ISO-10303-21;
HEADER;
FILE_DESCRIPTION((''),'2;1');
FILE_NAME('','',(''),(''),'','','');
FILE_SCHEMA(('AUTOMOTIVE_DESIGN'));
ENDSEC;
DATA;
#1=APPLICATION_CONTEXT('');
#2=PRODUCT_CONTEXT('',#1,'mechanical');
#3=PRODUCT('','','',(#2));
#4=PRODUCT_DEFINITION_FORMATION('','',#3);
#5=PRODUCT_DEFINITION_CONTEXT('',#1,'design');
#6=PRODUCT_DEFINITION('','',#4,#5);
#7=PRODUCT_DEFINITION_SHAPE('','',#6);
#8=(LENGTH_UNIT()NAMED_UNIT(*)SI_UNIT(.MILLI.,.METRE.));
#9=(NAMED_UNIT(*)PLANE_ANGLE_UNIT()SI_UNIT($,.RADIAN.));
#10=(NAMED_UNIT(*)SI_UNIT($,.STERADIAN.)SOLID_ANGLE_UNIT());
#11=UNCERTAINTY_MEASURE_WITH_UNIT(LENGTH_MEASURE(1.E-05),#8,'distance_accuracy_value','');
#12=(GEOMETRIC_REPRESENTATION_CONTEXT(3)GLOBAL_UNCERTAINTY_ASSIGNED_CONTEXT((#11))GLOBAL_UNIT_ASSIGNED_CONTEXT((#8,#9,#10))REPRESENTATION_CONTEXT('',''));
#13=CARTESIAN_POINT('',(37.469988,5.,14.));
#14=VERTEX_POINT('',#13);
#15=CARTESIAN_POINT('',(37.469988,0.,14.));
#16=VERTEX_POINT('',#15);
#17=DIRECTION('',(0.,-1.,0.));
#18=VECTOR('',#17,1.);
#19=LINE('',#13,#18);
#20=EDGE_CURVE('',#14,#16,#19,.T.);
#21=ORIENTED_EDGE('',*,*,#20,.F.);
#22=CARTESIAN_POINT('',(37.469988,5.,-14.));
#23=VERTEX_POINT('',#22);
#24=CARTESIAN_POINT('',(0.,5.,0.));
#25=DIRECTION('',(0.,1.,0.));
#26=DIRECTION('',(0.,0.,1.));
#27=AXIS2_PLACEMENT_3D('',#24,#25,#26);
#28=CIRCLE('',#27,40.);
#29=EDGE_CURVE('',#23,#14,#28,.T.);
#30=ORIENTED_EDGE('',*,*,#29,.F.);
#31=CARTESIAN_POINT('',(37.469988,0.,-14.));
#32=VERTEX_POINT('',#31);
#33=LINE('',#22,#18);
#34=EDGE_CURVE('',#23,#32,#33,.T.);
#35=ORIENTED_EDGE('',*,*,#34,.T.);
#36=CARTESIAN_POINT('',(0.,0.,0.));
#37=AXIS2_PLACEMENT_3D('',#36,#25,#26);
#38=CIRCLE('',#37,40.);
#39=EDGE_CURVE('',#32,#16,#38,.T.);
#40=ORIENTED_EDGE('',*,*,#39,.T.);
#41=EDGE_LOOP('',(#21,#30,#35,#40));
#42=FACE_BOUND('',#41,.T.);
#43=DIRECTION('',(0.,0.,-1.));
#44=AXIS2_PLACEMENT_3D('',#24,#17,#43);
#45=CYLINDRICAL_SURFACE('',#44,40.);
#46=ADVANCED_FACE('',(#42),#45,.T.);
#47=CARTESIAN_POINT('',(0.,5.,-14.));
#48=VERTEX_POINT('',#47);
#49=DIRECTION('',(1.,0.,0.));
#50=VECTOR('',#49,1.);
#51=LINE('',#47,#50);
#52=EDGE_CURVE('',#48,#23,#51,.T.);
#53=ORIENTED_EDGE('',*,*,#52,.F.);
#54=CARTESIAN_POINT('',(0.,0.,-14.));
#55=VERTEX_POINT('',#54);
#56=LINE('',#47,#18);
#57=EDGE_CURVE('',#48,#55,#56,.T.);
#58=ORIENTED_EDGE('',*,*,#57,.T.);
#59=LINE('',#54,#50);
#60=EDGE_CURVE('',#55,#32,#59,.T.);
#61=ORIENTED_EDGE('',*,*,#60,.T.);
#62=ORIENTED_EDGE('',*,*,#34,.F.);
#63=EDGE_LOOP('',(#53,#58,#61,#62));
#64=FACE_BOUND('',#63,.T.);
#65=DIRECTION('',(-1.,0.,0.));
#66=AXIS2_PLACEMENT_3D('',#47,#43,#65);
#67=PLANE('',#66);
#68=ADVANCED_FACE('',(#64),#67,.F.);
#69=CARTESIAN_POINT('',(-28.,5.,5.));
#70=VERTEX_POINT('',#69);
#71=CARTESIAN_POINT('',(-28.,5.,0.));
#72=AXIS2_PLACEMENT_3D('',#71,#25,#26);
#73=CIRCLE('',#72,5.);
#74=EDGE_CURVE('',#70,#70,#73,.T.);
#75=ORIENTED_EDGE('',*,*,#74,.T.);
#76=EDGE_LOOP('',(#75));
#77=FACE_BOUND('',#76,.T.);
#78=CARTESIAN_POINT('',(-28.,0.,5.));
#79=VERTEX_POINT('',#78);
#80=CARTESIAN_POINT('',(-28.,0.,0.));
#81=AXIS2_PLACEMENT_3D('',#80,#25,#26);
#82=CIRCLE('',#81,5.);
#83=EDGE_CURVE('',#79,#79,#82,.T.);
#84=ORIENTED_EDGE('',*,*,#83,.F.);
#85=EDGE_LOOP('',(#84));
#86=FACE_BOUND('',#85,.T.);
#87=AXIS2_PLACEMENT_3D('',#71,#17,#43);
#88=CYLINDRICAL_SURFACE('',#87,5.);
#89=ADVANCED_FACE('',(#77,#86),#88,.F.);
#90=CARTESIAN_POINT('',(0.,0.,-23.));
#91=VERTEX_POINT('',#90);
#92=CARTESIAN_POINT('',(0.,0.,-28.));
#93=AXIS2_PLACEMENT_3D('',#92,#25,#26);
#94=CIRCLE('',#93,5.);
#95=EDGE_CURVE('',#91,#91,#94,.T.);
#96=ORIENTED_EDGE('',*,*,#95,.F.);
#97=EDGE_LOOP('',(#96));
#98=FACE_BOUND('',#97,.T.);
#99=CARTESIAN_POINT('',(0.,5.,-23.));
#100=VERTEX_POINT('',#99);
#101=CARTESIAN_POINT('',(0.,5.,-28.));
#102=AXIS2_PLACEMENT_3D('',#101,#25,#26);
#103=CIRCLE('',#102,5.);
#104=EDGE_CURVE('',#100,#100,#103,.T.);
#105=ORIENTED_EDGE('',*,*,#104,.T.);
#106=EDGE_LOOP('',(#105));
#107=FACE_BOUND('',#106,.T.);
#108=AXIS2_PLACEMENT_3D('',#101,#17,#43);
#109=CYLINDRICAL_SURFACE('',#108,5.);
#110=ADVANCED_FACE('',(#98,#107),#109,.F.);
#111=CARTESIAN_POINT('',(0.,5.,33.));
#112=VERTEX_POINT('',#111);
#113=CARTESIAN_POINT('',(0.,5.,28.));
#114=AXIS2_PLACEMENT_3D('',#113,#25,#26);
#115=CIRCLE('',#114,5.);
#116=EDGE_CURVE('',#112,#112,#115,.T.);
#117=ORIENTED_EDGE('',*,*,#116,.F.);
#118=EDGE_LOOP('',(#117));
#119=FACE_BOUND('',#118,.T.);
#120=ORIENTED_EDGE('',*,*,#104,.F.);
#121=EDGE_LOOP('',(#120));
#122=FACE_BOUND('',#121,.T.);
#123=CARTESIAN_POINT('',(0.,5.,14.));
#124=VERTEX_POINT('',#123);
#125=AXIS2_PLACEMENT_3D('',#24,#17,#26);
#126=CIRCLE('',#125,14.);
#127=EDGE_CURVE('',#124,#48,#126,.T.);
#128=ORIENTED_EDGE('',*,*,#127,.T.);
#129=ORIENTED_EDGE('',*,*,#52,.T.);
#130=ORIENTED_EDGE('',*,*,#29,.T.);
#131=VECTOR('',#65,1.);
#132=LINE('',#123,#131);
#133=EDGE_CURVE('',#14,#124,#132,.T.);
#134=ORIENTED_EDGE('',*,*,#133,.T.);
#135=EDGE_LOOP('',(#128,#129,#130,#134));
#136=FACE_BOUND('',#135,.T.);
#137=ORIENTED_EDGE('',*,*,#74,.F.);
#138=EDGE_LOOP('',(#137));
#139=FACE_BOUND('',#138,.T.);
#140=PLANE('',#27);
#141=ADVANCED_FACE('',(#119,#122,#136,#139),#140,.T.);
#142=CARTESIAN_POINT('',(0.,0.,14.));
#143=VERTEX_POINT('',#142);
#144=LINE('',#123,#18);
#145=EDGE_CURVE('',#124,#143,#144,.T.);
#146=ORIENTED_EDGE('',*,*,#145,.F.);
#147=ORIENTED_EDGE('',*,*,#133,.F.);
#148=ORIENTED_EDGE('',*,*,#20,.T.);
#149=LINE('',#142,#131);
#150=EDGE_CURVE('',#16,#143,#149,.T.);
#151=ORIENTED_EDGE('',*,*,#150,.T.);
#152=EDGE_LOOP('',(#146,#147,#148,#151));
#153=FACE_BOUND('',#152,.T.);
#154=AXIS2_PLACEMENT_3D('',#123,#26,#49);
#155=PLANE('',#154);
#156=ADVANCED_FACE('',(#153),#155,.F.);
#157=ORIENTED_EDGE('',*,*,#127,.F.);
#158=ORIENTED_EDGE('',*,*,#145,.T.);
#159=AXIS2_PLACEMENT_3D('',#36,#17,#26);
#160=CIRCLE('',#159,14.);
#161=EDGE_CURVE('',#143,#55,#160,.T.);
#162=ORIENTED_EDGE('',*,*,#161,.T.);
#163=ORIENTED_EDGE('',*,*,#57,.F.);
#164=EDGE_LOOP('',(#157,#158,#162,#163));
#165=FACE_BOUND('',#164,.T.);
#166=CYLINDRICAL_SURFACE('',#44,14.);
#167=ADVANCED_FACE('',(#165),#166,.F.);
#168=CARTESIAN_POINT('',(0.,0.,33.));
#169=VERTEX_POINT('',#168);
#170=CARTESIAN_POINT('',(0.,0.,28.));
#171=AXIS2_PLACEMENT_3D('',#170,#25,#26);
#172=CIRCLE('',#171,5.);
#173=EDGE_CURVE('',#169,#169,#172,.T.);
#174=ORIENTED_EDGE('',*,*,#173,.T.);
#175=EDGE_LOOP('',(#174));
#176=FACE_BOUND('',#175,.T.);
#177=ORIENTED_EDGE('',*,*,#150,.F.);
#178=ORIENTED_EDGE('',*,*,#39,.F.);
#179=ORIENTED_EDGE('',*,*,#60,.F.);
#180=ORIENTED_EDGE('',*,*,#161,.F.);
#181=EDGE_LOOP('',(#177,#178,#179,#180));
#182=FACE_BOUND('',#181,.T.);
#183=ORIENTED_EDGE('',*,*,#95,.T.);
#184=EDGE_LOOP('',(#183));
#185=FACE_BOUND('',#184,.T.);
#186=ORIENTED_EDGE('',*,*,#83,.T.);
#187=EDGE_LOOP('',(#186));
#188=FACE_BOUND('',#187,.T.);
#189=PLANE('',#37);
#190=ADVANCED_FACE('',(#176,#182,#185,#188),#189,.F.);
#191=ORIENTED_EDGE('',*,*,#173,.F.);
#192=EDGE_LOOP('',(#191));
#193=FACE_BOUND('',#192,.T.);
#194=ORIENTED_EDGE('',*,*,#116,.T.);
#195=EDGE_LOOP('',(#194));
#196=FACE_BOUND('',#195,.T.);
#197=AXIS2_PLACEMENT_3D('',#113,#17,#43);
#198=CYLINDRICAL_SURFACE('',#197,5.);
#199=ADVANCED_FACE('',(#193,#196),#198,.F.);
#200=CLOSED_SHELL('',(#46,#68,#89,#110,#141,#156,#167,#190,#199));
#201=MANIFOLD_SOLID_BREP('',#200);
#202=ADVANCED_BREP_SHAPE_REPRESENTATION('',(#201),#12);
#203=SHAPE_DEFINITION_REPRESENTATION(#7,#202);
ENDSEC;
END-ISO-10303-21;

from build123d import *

# Parameters (mm, degrees)
SKETCH1_R           = 5
BOSS_EXTRUDE1_DEPTH = 5


with BuildPart() as part:
    # Sketch1 → Boss-Extrude1 (new body)
    with BuildSketch(Plane(origin=(0, 0, 0), x_dir=(1, 0, 0), z_dir=(0, 1, 0))):
        with BuildLine():
            Line((0, 14), (37.46998799, 14))
            ThreePointArc((37.46998799, 14), (-40, 0), (37.46998799, -14))
            Line((37.46998799, -14), (0, -14))
            ThreePointArc((0, -14), (-14, 0), (0, 14))
        make_face()
        with Locations(Location((0, 28, 0), (0, 0, 270))):
            Circle(SKETCH1_R, mode=Mode.SUBTRACT)
        with Locations(Location((0, -28, 0), (0, 0, 270))):
            Circle(SKETCH1_R, mode=Mode.SUBTRACT)
        with Locations(Location((-28, 0, 0), (0, 0, 270))):
            Circle(SKETCH1_R, mode=Mode.SUBTRACT)
    extrude(amount=BOSS_EXTRUDE1_DEPTH)


solid = part.part
